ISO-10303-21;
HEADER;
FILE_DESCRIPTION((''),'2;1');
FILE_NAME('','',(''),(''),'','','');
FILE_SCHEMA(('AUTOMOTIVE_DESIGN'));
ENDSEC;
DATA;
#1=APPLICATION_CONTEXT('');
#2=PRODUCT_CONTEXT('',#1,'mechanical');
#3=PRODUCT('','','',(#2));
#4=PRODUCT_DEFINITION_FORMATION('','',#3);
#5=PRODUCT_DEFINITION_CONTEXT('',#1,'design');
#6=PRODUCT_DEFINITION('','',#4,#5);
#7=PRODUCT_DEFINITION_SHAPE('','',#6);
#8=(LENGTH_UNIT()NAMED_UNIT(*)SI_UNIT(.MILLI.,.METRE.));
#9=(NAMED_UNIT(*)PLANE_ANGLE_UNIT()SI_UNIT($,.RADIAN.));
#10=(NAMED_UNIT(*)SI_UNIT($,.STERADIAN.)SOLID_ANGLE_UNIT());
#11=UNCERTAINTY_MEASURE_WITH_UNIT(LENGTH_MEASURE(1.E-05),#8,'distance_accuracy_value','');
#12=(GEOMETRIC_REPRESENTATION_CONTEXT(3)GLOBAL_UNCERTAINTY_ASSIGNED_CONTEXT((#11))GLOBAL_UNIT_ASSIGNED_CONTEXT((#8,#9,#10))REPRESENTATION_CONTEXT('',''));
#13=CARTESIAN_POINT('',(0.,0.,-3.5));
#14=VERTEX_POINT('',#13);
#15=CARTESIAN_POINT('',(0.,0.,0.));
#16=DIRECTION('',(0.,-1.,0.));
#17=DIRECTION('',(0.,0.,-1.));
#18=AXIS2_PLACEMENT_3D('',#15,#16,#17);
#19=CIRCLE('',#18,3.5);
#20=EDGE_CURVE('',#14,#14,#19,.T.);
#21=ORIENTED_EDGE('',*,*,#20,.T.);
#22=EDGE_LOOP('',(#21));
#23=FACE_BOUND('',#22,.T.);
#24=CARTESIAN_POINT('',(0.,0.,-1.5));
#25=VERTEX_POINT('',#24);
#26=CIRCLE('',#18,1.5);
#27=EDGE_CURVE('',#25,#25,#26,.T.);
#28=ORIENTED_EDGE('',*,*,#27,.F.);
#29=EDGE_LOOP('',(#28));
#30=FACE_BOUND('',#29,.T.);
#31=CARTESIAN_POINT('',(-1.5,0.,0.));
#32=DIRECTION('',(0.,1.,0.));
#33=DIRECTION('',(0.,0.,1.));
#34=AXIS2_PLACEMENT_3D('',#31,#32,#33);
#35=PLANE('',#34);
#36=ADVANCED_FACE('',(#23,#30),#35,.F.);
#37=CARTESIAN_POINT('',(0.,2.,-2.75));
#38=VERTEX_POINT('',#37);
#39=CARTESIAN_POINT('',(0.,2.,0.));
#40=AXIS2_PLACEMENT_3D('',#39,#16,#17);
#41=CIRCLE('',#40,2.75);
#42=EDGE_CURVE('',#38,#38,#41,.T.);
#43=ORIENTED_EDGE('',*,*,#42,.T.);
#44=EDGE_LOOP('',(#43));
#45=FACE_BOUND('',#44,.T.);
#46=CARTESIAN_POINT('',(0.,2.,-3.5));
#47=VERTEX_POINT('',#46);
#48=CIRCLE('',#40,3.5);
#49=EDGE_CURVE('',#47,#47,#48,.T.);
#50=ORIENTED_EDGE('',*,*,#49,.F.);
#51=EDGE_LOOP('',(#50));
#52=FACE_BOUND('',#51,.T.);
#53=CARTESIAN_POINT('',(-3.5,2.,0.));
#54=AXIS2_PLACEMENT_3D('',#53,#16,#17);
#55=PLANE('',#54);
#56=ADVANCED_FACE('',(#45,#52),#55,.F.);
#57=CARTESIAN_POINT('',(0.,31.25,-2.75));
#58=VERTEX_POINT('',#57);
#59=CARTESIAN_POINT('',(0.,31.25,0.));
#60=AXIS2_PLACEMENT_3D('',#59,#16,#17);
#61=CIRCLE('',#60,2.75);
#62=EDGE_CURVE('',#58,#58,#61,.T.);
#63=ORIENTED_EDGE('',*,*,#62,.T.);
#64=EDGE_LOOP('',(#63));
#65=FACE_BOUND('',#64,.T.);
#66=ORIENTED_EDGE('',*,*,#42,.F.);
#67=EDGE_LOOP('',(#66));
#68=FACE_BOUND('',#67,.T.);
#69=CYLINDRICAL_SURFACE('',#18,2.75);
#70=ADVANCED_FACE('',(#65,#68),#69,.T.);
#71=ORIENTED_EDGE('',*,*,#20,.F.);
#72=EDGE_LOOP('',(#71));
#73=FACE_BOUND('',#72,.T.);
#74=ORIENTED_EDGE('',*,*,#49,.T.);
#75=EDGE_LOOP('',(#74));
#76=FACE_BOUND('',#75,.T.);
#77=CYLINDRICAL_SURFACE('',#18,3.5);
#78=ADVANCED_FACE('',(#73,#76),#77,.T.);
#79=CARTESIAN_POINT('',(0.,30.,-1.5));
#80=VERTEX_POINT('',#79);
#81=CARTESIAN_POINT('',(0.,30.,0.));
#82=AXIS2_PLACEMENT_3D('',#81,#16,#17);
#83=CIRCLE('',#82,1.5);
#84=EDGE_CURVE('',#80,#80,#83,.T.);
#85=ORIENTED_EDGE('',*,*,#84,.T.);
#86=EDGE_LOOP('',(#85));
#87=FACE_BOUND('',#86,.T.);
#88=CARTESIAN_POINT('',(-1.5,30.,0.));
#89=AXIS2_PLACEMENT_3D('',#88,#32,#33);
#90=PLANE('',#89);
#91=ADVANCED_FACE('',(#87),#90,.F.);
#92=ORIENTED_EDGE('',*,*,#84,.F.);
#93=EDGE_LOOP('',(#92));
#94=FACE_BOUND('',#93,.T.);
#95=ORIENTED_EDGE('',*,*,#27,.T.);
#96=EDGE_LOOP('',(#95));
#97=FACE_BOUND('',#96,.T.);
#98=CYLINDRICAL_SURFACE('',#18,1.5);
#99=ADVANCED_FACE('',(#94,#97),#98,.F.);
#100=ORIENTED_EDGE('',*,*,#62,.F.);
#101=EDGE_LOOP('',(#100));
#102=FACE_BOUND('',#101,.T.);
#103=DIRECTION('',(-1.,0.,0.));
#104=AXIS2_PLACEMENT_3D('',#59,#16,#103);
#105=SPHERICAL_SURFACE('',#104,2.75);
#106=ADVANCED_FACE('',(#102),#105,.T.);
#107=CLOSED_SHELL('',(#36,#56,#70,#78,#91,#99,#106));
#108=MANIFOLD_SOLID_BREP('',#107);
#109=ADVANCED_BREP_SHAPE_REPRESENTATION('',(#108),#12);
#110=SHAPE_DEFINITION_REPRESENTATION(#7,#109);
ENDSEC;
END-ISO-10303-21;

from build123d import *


with BuildPart() as part:
    # Esquisse1 → Révolution1 (revolve)
    with BuildSketch(Plane.XY, mode=Mode.PRIVATE) as r_volution1_sk:
        with BuildLine():
            Line((-1.5, 0), (-1.5, 30))
            Line((-1.5, 30), (0, 30))
            Line((0, 30), (0, 34))
            ThreePointArc((0, 34), (-1.944543648, 33.194543648), (-2.75, 31.25))
            Line((-2.75, 31.25), (-2.75, 2))
            Line((-2.75, 2), (-3.5, 2))
            Line((-3.5, 2), (-3.5, 0))
            Line((-3.5, 0), (-1.5, 0))
        make_face()
    revolve(r_volution1_sk.sketch.rotate(Axis((0, 0, 0), (0, 1, 0)), 270), axis=Axis((0, 0, 0), (0, 1, 0)))  # turned: the seam where the file's is


solid = part.part
